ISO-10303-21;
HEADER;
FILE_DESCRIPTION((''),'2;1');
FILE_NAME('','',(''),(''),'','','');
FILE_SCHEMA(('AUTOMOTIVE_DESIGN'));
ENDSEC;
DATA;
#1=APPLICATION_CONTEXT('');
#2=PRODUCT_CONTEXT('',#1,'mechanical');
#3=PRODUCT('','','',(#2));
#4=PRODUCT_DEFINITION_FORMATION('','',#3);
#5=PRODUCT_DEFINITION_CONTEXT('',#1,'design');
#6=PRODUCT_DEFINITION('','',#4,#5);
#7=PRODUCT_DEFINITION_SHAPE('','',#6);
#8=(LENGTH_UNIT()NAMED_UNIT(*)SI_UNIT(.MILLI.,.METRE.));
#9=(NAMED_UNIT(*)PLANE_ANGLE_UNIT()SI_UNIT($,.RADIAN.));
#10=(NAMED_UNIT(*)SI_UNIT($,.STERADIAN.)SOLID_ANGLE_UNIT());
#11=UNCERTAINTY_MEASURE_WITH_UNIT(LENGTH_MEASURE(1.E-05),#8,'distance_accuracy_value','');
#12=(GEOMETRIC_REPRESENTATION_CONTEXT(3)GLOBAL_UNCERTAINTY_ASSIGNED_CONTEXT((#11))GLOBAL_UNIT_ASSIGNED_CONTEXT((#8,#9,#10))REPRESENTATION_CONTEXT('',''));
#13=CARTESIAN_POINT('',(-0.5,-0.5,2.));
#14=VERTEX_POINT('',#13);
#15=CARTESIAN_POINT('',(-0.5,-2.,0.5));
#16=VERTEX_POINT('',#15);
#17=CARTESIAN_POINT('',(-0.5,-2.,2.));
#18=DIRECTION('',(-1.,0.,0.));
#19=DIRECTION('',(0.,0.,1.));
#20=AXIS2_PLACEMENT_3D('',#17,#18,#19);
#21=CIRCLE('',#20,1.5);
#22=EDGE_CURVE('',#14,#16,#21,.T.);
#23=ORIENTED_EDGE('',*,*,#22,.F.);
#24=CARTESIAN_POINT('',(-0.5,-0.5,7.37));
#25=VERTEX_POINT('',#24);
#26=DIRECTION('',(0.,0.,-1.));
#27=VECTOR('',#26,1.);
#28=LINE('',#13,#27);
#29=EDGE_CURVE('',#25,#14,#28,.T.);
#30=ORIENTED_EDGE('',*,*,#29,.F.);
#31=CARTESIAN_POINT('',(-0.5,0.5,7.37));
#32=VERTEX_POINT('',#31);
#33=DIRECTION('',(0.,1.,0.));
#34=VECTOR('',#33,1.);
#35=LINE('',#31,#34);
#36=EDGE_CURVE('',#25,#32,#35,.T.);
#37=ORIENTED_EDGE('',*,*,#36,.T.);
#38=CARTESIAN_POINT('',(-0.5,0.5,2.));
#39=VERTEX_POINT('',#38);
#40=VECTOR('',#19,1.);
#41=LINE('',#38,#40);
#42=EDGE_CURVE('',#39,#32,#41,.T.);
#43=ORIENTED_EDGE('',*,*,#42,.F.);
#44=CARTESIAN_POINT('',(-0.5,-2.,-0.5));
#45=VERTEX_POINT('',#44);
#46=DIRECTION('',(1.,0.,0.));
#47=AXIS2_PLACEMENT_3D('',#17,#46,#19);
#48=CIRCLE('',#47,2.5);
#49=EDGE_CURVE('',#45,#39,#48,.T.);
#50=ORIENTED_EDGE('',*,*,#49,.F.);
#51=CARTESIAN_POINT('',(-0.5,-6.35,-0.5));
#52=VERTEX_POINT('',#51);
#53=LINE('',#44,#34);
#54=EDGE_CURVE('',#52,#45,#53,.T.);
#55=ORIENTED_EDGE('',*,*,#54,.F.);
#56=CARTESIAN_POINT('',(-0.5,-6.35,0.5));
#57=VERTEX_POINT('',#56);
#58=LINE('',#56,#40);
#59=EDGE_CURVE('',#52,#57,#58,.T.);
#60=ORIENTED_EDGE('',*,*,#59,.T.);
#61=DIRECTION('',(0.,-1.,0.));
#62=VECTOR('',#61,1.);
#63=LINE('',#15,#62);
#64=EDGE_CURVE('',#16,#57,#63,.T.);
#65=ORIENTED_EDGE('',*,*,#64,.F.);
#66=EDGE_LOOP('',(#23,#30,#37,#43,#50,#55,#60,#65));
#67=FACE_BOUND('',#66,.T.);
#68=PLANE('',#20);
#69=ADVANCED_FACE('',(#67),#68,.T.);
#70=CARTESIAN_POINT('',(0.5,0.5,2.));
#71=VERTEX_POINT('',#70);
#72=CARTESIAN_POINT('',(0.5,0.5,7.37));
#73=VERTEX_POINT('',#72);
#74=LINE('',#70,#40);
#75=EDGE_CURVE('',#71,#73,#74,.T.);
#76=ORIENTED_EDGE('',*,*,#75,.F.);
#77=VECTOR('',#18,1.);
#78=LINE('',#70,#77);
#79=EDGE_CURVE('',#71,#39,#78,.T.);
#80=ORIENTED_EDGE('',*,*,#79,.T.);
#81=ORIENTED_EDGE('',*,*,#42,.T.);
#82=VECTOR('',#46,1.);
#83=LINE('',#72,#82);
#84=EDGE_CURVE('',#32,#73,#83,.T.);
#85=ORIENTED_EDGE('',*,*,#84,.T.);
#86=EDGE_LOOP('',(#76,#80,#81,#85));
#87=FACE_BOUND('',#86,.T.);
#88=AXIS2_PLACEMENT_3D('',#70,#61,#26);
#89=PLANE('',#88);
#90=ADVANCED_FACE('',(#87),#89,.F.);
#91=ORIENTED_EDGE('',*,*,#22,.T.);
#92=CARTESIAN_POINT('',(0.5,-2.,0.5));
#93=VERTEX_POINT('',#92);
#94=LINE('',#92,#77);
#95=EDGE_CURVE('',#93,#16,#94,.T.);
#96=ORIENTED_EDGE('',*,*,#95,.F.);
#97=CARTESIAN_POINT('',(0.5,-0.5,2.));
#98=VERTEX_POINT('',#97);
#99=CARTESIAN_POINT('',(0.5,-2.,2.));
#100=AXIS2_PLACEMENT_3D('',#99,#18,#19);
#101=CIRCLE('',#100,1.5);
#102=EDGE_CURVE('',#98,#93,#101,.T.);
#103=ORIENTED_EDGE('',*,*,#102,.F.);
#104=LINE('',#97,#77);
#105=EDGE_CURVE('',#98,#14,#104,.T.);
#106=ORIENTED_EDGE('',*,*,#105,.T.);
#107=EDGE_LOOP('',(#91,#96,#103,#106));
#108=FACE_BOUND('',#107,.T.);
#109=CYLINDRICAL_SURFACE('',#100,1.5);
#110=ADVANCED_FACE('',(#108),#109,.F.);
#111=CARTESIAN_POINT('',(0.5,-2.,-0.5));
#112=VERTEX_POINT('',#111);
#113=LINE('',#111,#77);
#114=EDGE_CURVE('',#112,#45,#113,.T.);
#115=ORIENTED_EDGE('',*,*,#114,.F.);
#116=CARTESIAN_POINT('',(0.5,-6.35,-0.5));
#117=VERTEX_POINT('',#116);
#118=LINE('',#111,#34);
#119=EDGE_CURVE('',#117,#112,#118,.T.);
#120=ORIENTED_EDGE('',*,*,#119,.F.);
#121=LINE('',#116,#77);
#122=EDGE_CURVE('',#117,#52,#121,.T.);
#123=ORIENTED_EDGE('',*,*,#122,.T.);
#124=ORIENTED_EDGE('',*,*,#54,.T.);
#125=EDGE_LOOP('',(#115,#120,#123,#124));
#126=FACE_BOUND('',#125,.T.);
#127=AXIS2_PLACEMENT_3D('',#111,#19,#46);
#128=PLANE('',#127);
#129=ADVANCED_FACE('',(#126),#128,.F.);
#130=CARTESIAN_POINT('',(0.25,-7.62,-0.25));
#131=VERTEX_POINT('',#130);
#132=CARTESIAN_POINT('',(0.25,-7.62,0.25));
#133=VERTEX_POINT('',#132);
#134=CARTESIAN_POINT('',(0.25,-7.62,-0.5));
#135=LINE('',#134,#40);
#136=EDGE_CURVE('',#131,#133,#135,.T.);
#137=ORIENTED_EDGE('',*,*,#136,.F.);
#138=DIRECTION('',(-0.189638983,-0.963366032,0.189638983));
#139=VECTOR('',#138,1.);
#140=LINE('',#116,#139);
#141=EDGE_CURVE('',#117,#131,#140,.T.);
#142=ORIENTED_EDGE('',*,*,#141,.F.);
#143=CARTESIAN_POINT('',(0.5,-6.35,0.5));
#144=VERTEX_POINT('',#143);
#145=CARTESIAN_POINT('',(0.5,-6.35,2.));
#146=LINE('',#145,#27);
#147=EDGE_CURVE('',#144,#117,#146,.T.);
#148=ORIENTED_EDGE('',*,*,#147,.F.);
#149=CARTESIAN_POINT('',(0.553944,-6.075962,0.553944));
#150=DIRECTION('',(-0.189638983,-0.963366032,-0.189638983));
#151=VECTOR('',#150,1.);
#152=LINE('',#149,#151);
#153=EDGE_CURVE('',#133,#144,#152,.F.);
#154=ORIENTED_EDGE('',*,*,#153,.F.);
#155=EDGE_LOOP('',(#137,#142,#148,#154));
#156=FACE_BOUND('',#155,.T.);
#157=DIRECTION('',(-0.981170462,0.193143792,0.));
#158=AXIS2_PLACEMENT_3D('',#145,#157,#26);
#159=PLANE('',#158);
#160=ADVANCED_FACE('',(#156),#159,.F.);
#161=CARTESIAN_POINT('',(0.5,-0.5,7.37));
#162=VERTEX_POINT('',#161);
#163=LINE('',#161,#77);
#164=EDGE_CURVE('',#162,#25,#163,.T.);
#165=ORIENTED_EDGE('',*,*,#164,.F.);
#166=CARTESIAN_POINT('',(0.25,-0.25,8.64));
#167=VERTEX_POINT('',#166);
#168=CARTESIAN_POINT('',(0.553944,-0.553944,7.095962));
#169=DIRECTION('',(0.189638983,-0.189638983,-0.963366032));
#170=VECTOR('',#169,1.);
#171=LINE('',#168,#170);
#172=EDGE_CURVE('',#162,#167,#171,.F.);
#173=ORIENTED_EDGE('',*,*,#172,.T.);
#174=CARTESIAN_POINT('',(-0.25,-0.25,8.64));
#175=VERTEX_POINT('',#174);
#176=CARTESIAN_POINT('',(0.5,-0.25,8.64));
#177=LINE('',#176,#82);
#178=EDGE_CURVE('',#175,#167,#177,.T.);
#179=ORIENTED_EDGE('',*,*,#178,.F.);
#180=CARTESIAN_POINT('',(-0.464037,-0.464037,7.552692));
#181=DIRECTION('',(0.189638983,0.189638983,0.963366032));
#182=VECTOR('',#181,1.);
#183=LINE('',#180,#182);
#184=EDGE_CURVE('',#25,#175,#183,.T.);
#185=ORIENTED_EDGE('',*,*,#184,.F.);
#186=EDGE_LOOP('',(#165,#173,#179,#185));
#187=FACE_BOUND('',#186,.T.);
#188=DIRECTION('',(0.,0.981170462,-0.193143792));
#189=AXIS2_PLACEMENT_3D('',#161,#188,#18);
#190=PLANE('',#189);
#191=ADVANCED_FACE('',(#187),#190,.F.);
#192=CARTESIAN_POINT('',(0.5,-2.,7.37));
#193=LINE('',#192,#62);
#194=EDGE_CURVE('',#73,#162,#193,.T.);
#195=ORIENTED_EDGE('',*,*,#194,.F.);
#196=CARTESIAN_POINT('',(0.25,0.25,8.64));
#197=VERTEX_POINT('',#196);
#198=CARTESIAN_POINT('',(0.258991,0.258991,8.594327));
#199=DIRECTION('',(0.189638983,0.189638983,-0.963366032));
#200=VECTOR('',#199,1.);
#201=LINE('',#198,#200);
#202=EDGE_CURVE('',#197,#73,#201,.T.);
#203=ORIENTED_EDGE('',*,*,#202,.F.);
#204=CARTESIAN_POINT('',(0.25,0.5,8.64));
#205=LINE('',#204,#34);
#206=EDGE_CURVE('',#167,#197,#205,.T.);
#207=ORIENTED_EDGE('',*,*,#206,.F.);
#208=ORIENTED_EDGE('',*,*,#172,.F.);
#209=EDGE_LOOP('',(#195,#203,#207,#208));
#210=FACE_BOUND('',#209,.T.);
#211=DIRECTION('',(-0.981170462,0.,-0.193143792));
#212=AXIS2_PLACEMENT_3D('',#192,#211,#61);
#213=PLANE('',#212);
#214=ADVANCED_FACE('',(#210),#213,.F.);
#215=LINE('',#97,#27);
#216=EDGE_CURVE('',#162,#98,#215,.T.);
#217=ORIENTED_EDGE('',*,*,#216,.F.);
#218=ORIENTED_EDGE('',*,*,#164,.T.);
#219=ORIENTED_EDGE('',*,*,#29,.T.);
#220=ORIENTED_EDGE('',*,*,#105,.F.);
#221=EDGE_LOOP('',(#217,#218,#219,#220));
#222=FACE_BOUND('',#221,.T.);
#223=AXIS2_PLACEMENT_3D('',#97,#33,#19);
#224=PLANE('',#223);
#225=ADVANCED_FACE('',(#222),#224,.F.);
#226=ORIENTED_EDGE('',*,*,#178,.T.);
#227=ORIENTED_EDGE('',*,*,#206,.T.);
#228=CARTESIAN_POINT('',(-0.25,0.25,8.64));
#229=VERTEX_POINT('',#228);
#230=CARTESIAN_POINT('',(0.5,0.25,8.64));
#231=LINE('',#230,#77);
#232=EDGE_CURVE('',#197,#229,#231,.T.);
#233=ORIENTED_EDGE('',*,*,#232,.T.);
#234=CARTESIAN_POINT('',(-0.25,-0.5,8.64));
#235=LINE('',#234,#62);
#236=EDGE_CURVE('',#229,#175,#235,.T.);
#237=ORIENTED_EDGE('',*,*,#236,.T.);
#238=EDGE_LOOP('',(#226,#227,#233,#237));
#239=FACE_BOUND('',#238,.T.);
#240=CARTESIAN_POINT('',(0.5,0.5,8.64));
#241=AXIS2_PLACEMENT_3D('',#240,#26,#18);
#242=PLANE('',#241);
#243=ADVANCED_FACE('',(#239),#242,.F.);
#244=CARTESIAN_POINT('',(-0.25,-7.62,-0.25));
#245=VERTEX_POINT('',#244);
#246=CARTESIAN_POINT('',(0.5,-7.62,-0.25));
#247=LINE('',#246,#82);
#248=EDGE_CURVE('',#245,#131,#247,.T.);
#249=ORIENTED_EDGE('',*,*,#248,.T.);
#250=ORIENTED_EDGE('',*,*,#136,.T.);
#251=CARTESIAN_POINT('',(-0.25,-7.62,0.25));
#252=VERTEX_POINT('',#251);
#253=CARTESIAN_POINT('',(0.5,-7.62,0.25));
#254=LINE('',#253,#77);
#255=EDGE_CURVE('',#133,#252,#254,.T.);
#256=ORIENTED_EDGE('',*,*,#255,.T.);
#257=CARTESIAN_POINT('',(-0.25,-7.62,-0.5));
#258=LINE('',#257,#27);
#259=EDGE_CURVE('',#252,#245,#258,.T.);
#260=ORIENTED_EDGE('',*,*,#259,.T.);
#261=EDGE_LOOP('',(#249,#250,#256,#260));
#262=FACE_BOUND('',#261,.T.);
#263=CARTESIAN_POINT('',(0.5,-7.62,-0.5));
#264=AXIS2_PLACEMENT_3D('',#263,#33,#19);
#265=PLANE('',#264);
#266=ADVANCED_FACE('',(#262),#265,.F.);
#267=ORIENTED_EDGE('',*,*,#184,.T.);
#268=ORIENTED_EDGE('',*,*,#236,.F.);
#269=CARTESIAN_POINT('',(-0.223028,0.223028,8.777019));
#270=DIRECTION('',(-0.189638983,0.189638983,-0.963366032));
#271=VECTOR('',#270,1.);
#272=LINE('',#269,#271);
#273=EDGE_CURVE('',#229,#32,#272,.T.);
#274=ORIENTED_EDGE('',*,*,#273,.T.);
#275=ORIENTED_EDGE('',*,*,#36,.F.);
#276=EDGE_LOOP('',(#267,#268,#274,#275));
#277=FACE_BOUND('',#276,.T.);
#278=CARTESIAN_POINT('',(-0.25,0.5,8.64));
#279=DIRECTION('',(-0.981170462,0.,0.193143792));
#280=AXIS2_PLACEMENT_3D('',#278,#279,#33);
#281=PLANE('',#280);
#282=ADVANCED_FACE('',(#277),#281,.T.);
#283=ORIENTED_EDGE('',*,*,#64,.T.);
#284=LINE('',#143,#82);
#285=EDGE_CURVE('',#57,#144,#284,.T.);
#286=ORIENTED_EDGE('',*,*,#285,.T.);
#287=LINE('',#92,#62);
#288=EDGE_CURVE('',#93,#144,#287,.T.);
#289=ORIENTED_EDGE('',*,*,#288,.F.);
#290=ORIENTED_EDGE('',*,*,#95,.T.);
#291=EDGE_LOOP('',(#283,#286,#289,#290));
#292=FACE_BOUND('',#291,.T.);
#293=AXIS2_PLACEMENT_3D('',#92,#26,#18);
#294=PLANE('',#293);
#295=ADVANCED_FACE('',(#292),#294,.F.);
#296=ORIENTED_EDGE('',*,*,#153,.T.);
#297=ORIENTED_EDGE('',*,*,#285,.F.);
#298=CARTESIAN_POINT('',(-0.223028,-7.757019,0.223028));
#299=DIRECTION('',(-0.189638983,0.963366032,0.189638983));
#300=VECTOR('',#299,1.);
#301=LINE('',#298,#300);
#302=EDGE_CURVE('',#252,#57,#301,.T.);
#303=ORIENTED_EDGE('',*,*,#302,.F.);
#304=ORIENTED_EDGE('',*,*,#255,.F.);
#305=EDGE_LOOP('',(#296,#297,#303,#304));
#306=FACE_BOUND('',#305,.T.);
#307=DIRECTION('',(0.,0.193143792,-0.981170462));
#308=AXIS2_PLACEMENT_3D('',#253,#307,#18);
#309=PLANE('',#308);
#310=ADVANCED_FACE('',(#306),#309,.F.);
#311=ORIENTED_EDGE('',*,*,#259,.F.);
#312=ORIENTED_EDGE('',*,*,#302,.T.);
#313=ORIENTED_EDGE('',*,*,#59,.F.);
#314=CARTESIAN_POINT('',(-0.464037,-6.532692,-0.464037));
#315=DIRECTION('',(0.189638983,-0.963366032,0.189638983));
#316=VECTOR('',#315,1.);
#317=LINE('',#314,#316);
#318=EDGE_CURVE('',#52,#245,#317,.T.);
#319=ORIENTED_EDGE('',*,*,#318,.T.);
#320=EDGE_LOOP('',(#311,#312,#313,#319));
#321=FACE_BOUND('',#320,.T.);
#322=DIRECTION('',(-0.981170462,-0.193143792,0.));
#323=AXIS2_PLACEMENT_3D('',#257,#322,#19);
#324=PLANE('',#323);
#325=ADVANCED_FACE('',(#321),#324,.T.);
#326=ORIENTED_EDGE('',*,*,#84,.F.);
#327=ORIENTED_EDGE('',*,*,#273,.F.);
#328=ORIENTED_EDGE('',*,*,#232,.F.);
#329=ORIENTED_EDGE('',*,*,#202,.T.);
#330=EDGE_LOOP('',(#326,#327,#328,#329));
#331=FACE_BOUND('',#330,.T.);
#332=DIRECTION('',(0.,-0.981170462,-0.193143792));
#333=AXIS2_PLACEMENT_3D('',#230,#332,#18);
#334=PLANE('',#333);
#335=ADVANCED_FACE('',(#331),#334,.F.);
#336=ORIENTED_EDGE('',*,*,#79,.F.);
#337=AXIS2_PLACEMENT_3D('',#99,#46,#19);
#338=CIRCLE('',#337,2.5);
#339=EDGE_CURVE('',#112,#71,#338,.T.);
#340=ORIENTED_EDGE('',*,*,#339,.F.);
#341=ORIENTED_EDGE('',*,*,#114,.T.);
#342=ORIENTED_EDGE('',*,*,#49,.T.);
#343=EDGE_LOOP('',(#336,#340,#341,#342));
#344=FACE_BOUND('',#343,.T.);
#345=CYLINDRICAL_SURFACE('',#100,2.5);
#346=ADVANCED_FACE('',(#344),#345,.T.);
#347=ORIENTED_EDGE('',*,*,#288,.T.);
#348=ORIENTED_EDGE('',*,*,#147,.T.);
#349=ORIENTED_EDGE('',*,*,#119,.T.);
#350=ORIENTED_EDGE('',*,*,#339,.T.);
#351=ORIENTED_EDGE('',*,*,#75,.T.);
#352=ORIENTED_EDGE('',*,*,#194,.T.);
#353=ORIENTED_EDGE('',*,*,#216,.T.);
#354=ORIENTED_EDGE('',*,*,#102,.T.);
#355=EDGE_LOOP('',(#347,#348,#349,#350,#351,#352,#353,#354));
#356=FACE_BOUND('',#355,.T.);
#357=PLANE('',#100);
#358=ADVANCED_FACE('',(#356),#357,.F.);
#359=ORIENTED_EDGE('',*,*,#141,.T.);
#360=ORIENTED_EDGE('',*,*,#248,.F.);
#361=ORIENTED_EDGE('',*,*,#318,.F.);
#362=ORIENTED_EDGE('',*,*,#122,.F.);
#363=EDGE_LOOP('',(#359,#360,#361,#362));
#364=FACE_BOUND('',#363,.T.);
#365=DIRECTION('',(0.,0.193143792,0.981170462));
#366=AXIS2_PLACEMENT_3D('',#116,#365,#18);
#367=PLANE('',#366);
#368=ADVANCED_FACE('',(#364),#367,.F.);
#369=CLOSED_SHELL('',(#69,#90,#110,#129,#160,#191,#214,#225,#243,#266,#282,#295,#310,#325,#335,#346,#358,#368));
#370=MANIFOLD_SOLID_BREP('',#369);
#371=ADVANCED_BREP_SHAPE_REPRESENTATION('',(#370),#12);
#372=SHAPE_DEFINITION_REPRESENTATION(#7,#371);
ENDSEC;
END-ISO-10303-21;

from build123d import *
from OCP.BRepFilletAPI import BRepFilletAPI_MakeChamfer

# Parameters (mm, degrees)
BOSS_EXTRUDE1_DEPTH = 0.5
CHAMFER1_SIZE       = 1.27
CHAMFER1_SIZE2      = 0.25
CHAMFER2_SIZE       = 0.25
CHAMFER2_SIZE2      = 1.27


with BuildPart() as part:
    # Sketch1 → Boss-Extrude1 (new, symmetric)
    with BuildSketch(Plane(origin=(0, 0, 0), x_dir=(0, 0, -1), z_dir=(1, 0, 0))):
        with BuildLine():
            Line((0.5, -2), (0.5, -7.62))
            Line((0.5, -7.62), (-0.5, -7.62))
            Line((-0.5, -7.62), (-0.5, -2))
            ThreePointArc((-0.5, -2), (-0.939339828, -0.939339828), (-2, -0.5))
            Line((-2, -0.5), (-8.64, -0.5))
            Line((-8.64, -0.5), (-8.64, 0.5))
            Line((-8.64, 0.5), (-2, 0.5))
            ThreePointArc((-2, 0.5), (-0.232233047, -0.232233047), (0.5, -2))
        make_face()
    extrude(amount=BOSS_EXTRUDE1_DEPTH, both=True)

    # Chamfer1: one chamfer whose edges measure the first distance from different faces: ONE call of the kernel's chamfer builder (chamfer() names one face for all edges)
    chamfer1_edges_1 = [part.edges().sort_by_distance(p)[0] for p in [
        (-0.5, 0, 8.64),
    ]]
    chamfer1_side_1 = [part.faces().sort_by_distance(p)[0] for p in [
        (-0.5, -4.81, -0.37774044),
    ]]
    chamfer1_edges_2 = [part.edges().sort_by_distance(p)[0] for p in [
        (0.5, 0, 8.64),
    ]]
    chamfer1_side_2 = [part.faces().sort_by_distance(p)[0] for p in [
        (0.5, -4.81, -0.37774044),
    ]]
    chamfer1_edges_3 = [part.edges().sort_by_distance(p)[0] for p in [
        (0, -0.5, 8.64),
    ]]
    chamfer1_side_3 = [part.faces().sort_by_distance(p)[0] for p in [
        (0, -0.5, 5.32),
    ]]
    chamfer1_edges_4 = [part.edges().sort_by_distance(p)[0] for p in [
        (0, 0.5, 8.64),
    ]]
    chamfer1_side_4 = [part.faces().sort_by_distance(p)[0] for p in [
        (0, 0.5, 5.32),
    ]]
    chamfer1 = BRepFilletAPI_MakeChamfer(part.part.solid().wrapped)
    for e in chamfer1_edges_1:
        chamfer1.Add(CHAMFER1_SIZE, CHAMFER1_SIZE2, e.wrapped, chamfer1_side_1[0].wrapped)  # the first distance lies on this face
    for e in chamfer1_edges_2:
        chamfer1.Add(CHAMFER1_SIZE, CHAMFER1_SIZE2, e.wrapped, chamfer1_side_2[0].wrapped)  # the first distance lies on this face
    for e in chamfer1_edges_3:
        chamfer1.Add(CHAMFER1_SIZE, CHAMFER1_SIZE2, e.wrapped, chamfer1_side_3[0].wrapped)  # the first distance lies on this face
    for e in chamfer1_edges_4:
        chamfer1.Add(CHAMFER1_SIZE, CHAMFER1_SIZE2, e.wrapped, chamfer1_side_4[0].wrapped)  # the first distance lies on this face
    add(Compound.cast(chamfer1.Shape()), mode=Mode.REPLACE)

    # Chamfer2
    chamfer2_edges = [part.edges().sort_by_distance(p)[0] for p in [
        (0, -7.62, -0.5),
        (0, -7.62, 0.5),
        (0.5, -7.62, 0),
        (-0.5, -7.62, 0),
    ]]
    chamfer2_side = [part.faces().sort_by_distance(p)[0] for p in [
        (0, -7.62, 0),
    ]]
    chamfer(chamfer2_edges, length=CHAMFER2_SIZE, length2=CHAMFER2_SIZE2, reference=chamfer2_side[0])


solid = part.part
